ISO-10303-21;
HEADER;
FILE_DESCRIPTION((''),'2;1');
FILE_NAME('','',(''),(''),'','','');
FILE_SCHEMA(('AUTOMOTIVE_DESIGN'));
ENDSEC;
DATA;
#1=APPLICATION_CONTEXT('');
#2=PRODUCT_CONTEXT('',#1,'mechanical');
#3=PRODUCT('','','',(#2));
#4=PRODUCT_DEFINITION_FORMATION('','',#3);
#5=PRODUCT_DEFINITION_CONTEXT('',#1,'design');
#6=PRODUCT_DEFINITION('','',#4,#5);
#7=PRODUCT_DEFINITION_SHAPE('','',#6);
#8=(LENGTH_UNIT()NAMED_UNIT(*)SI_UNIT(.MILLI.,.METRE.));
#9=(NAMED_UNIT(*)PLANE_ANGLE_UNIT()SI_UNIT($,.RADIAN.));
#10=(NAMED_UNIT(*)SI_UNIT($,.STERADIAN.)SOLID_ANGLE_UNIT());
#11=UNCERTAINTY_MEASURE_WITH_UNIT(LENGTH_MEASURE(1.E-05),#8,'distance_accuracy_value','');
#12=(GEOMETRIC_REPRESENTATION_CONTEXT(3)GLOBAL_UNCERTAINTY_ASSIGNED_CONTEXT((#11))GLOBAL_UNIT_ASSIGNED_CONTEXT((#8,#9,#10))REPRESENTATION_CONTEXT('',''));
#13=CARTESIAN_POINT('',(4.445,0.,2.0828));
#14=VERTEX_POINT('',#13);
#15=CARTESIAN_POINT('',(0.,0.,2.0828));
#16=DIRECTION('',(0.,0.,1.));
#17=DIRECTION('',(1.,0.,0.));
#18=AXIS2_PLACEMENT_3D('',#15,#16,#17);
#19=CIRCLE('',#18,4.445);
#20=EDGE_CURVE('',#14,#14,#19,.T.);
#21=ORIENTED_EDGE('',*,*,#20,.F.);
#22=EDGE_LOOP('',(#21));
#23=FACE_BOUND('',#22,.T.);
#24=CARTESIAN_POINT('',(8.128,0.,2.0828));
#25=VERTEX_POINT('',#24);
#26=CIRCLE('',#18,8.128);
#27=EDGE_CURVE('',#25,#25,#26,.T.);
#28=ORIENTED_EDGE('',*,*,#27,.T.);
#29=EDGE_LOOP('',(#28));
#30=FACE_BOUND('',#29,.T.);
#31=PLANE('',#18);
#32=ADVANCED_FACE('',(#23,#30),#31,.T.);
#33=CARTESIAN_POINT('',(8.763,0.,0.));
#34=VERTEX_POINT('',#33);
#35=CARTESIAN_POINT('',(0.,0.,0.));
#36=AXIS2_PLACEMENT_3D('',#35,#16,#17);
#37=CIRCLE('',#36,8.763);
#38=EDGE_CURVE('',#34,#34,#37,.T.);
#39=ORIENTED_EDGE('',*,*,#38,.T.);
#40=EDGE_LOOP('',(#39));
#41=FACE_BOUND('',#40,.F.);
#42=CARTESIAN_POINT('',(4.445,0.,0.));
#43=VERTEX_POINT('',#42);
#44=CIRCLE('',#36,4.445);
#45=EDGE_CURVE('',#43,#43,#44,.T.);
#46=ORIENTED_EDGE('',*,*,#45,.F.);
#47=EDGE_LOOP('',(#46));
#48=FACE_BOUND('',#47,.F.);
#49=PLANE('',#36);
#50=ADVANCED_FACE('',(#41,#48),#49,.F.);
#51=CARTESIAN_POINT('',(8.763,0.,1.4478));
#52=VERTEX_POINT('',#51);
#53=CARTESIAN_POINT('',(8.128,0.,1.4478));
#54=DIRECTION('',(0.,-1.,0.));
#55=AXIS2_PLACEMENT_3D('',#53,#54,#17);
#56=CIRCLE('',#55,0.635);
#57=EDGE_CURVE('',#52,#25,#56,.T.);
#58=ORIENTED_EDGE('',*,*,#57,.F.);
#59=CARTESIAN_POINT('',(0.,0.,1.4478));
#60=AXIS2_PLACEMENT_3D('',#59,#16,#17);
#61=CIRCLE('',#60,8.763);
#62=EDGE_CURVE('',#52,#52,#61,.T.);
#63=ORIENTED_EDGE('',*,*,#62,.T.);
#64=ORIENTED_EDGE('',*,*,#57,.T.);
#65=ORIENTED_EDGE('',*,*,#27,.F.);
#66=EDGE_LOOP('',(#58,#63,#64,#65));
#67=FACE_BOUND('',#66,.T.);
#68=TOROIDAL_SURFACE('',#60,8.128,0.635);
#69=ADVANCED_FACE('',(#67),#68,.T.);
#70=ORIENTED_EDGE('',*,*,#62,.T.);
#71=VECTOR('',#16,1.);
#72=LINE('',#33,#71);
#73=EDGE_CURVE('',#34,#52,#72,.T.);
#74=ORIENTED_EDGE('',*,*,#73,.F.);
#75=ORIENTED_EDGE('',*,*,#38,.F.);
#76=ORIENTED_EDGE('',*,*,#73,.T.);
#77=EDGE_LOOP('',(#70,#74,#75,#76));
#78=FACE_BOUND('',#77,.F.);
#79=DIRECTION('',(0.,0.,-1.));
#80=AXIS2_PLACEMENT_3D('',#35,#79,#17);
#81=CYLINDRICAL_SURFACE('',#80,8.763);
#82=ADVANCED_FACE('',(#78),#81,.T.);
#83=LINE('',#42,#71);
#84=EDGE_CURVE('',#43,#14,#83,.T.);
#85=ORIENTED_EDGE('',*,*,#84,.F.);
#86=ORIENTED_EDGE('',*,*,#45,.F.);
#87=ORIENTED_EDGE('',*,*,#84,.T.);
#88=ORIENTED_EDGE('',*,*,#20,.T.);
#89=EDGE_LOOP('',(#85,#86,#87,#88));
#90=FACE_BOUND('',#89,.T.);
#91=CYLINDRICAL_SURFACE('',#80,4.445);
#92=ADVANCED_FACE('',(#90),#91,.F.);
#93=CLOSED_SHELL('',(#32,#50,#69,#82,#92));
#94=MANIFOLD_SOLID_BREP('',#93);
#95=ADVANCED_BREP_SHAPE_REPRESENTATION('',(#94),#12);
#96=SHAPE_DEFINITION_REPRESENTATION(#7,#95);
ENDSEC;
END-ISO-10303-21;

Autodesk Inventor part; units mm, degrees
ref_plane "YZ Plane" through (0, 0, 0) normal (1, 0, 0) x (0, 1, 0)
ref_plane "XZ Plane" through (0, 0, 0) normal (0, 1, 0) x (-1, 0, 0)
ref_plane "XY Plane" through (0, 0, 0) normal (0, 0, 1) x (1, 0, 0)
sketch "Sketch1" plane through (0, 0, 0) normal (0, 0, 1) x (1, 0, 0)
  circle A0 centre (0, 0) radius 8.763
  circle A1 centre (0, 0) radius 4.445
  dimension "d0" = 17.526
  dimension "d1" = 8.89
extrude "Extrusion1" add sketch "Sketch1" along normal blind 2.0828
fillet "Fillet1" radius 0.635 1 edges at (-8.763, 0, 2.0828)
properties part number "HW-00039"
